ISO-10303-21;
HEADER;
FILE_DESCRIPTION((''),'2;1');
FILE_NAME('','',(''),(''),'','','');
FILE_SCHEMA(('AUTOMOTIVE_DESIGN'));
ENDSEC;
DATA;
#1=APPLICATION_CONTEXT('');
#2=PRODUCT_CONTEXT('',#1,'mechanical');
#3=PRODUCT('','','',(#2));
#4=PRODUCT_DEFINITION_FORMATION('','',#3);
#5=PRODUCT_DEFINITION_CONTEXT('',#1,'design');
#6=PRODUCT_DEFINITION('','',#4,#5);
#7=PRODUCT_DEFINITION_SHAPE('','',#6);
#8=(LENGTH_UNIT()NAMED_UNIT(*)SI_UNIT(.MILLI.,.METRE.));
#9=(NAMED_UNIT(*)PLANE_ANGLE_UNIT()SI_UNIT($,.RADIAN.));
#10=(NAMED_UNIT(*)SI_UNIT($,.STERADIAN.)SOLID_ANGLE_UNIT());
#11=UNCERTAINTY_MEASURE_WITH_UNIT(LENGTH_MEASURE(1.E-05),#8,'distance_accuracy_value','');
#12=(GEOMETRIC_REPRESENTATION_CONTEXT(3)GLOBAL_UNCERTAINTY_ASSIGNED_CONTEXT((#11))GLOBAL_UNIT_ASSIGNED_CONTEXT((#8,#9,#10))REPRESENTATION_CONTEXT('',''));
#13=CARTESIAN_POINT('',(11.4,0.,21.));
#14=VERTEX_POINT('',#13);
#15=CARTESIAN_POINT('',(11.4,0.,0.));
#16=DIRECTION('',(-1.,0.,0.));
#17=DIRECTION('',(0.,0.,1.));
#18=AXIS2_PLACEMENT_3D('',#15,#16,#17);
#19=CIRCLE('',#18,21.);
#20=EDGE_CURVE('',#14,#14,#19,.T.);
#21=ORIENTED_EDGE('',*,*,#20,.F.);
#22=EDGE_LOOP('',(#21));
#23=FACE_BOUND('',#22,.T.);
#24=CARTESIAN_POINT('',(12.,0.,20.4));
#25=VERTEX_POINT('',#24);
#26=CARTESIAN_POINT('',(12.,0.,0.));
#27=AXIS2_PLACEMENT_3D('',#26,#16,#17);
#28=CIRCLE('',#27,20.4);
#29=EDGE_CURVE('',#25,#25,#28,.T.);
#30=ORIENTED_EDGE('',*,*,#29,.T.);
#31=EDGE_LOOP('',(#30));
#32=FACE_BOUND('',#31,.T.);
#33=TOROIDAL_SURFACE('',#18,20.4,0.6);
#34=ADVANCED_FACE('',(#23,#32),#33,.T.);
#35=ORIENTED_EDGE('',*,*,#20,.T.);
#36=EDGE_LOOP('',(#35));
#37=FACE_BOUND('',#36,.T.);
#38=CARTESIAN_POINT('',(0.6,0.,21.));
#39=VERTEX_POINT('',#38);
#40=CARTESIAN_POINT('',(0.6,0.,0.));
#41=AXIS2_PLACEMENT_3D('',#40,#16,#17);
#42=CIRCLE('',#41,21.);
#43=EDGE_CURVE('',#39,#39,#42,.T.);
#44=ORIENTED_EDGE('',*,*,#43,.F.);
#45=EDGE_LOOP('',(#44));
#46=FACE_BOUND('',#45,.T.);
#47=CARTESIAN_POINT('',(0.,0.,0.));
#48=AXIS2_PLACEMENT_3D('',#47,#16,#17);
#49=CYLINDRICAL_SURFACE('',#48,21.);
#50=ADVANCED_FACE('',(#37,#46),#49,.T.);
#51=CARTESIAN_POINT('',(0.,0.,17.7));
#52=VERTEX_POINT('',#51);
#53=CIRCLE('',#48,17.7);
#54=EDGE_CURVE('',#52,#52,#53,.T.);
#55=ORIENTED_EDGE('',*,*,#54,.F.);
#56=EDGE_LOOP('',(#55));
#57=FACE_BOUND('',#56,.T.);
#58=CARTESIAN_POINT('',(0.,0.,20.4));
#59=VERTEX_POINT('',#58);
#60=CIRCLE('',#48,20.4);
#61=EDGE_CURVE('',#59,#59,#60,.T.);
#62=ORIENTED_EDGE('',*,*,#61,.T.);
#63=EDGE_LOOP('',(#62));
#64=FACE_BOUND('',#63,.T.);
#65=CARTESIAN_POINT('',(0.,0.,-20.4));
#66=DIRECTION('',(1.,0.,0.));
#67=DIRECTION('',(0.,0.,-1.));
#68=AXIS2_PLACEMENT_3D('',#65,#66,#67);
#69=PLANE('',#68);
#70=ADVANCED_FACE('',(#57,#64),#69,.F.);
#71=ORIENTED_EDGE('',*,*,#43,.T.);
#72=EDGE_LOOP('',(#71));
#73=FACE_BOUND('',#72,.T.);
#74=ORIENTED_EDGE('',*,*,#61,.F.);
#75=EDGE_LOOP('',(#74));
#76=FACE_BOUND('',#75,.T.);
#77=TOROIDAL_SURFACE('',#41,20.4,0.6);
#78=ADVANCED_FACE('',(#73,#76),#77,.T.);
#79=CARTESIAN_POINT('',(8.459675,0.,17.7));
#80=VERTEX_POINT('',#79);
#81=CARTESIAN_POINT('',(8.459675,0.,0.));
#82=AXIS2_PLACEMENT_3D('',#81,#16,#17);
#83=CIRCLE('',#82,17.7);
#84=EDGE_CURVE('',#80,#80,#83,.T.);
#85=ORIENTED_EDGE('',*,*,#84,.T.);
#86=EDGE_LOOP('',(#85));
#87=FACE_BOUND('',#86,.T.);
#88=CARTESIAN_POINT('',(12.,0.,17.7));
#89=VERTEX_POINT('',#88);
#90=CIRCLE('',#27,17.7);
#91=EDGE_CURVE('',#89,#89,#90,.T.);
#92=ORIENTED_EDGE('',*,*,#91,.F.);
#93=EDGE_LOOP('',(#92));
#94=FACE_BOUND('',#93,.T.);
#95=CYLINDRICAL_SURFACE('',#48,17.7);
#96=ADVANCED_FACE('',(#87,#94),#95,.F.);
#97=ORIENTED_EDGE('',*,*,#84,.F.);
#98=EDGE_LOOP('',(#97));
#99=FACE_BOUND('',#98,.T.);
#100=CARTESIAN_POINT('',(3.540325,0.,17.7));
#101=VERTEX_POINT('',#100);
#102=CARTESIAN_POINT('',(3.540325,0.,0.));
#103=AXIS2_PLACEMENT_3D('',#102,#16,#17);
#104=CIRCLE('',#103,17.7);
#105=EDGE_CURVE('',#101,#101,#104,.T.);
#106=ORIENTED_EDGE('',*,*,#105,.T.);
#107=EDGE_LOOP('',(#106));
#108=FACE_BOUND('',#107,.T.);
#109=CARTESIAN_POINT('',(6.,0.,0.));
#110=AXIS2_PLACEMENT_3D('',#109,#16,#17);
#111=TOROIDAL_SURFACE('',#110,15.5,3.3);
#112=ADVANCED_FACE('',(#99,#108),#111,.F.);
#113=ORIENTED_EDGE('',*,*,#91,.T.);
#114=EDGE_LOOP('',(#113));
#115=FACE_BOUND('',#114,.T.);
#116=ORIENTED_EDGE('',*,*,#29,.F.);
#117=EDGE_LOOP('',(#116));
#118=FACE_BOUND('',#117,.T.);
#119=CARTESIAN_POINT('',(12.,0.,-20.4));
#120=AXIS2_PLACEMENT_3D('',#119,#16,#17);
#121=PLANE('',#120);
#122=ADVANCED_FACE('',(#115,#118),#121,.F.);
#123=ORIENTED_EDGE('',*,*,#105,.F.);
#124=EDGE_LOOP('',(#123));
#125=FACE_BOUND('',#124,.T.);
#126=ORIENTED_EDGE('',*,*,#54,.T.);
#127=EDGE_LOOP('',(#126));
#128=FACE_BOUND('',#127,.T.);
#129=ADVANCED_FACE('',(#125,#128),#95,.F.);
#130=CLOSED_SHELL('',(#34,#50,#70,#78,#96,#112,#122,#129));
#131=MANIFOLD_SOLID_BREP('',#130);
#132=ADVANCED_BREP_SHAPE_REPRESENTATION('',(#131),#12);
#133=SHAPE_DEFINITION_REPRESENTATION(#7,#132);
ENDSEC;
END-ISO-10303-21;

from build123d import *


with BuildPart() as part:
    # Esquisse1 → Base-Révolution (revolve)
    with BuildSketch(Plane(origin=(0, 0, 0), x_dir=(1, 0, 0), z_dir=(0, 1, 0))):
        with BuildLine():
            Line((0, 20.4), (0, 17.7))
            Line((0, 17.7), (3.540325225, 17.7))
            ThreePointArc((3.540325225, 17.7), (6, 18.8), (8.459674775, 17.7))
            Line((8.459674775, 17.7), (12, 17.7))
            Line((12, 17.7), (12, 20.4))
            ThreePointArc((12, 20.4), (11.824264069, 20.824264069), (11.4, 21))
            Line((11.4, 21), (0.6, 21))
            ThreePointArc((0.6, 21), (0.175735931, 20.824264069), (0, 20.4))
        make_face()
    revolve(axis=Axis((0, 0, 0), (1, 0, 0)))


solid = part.part
